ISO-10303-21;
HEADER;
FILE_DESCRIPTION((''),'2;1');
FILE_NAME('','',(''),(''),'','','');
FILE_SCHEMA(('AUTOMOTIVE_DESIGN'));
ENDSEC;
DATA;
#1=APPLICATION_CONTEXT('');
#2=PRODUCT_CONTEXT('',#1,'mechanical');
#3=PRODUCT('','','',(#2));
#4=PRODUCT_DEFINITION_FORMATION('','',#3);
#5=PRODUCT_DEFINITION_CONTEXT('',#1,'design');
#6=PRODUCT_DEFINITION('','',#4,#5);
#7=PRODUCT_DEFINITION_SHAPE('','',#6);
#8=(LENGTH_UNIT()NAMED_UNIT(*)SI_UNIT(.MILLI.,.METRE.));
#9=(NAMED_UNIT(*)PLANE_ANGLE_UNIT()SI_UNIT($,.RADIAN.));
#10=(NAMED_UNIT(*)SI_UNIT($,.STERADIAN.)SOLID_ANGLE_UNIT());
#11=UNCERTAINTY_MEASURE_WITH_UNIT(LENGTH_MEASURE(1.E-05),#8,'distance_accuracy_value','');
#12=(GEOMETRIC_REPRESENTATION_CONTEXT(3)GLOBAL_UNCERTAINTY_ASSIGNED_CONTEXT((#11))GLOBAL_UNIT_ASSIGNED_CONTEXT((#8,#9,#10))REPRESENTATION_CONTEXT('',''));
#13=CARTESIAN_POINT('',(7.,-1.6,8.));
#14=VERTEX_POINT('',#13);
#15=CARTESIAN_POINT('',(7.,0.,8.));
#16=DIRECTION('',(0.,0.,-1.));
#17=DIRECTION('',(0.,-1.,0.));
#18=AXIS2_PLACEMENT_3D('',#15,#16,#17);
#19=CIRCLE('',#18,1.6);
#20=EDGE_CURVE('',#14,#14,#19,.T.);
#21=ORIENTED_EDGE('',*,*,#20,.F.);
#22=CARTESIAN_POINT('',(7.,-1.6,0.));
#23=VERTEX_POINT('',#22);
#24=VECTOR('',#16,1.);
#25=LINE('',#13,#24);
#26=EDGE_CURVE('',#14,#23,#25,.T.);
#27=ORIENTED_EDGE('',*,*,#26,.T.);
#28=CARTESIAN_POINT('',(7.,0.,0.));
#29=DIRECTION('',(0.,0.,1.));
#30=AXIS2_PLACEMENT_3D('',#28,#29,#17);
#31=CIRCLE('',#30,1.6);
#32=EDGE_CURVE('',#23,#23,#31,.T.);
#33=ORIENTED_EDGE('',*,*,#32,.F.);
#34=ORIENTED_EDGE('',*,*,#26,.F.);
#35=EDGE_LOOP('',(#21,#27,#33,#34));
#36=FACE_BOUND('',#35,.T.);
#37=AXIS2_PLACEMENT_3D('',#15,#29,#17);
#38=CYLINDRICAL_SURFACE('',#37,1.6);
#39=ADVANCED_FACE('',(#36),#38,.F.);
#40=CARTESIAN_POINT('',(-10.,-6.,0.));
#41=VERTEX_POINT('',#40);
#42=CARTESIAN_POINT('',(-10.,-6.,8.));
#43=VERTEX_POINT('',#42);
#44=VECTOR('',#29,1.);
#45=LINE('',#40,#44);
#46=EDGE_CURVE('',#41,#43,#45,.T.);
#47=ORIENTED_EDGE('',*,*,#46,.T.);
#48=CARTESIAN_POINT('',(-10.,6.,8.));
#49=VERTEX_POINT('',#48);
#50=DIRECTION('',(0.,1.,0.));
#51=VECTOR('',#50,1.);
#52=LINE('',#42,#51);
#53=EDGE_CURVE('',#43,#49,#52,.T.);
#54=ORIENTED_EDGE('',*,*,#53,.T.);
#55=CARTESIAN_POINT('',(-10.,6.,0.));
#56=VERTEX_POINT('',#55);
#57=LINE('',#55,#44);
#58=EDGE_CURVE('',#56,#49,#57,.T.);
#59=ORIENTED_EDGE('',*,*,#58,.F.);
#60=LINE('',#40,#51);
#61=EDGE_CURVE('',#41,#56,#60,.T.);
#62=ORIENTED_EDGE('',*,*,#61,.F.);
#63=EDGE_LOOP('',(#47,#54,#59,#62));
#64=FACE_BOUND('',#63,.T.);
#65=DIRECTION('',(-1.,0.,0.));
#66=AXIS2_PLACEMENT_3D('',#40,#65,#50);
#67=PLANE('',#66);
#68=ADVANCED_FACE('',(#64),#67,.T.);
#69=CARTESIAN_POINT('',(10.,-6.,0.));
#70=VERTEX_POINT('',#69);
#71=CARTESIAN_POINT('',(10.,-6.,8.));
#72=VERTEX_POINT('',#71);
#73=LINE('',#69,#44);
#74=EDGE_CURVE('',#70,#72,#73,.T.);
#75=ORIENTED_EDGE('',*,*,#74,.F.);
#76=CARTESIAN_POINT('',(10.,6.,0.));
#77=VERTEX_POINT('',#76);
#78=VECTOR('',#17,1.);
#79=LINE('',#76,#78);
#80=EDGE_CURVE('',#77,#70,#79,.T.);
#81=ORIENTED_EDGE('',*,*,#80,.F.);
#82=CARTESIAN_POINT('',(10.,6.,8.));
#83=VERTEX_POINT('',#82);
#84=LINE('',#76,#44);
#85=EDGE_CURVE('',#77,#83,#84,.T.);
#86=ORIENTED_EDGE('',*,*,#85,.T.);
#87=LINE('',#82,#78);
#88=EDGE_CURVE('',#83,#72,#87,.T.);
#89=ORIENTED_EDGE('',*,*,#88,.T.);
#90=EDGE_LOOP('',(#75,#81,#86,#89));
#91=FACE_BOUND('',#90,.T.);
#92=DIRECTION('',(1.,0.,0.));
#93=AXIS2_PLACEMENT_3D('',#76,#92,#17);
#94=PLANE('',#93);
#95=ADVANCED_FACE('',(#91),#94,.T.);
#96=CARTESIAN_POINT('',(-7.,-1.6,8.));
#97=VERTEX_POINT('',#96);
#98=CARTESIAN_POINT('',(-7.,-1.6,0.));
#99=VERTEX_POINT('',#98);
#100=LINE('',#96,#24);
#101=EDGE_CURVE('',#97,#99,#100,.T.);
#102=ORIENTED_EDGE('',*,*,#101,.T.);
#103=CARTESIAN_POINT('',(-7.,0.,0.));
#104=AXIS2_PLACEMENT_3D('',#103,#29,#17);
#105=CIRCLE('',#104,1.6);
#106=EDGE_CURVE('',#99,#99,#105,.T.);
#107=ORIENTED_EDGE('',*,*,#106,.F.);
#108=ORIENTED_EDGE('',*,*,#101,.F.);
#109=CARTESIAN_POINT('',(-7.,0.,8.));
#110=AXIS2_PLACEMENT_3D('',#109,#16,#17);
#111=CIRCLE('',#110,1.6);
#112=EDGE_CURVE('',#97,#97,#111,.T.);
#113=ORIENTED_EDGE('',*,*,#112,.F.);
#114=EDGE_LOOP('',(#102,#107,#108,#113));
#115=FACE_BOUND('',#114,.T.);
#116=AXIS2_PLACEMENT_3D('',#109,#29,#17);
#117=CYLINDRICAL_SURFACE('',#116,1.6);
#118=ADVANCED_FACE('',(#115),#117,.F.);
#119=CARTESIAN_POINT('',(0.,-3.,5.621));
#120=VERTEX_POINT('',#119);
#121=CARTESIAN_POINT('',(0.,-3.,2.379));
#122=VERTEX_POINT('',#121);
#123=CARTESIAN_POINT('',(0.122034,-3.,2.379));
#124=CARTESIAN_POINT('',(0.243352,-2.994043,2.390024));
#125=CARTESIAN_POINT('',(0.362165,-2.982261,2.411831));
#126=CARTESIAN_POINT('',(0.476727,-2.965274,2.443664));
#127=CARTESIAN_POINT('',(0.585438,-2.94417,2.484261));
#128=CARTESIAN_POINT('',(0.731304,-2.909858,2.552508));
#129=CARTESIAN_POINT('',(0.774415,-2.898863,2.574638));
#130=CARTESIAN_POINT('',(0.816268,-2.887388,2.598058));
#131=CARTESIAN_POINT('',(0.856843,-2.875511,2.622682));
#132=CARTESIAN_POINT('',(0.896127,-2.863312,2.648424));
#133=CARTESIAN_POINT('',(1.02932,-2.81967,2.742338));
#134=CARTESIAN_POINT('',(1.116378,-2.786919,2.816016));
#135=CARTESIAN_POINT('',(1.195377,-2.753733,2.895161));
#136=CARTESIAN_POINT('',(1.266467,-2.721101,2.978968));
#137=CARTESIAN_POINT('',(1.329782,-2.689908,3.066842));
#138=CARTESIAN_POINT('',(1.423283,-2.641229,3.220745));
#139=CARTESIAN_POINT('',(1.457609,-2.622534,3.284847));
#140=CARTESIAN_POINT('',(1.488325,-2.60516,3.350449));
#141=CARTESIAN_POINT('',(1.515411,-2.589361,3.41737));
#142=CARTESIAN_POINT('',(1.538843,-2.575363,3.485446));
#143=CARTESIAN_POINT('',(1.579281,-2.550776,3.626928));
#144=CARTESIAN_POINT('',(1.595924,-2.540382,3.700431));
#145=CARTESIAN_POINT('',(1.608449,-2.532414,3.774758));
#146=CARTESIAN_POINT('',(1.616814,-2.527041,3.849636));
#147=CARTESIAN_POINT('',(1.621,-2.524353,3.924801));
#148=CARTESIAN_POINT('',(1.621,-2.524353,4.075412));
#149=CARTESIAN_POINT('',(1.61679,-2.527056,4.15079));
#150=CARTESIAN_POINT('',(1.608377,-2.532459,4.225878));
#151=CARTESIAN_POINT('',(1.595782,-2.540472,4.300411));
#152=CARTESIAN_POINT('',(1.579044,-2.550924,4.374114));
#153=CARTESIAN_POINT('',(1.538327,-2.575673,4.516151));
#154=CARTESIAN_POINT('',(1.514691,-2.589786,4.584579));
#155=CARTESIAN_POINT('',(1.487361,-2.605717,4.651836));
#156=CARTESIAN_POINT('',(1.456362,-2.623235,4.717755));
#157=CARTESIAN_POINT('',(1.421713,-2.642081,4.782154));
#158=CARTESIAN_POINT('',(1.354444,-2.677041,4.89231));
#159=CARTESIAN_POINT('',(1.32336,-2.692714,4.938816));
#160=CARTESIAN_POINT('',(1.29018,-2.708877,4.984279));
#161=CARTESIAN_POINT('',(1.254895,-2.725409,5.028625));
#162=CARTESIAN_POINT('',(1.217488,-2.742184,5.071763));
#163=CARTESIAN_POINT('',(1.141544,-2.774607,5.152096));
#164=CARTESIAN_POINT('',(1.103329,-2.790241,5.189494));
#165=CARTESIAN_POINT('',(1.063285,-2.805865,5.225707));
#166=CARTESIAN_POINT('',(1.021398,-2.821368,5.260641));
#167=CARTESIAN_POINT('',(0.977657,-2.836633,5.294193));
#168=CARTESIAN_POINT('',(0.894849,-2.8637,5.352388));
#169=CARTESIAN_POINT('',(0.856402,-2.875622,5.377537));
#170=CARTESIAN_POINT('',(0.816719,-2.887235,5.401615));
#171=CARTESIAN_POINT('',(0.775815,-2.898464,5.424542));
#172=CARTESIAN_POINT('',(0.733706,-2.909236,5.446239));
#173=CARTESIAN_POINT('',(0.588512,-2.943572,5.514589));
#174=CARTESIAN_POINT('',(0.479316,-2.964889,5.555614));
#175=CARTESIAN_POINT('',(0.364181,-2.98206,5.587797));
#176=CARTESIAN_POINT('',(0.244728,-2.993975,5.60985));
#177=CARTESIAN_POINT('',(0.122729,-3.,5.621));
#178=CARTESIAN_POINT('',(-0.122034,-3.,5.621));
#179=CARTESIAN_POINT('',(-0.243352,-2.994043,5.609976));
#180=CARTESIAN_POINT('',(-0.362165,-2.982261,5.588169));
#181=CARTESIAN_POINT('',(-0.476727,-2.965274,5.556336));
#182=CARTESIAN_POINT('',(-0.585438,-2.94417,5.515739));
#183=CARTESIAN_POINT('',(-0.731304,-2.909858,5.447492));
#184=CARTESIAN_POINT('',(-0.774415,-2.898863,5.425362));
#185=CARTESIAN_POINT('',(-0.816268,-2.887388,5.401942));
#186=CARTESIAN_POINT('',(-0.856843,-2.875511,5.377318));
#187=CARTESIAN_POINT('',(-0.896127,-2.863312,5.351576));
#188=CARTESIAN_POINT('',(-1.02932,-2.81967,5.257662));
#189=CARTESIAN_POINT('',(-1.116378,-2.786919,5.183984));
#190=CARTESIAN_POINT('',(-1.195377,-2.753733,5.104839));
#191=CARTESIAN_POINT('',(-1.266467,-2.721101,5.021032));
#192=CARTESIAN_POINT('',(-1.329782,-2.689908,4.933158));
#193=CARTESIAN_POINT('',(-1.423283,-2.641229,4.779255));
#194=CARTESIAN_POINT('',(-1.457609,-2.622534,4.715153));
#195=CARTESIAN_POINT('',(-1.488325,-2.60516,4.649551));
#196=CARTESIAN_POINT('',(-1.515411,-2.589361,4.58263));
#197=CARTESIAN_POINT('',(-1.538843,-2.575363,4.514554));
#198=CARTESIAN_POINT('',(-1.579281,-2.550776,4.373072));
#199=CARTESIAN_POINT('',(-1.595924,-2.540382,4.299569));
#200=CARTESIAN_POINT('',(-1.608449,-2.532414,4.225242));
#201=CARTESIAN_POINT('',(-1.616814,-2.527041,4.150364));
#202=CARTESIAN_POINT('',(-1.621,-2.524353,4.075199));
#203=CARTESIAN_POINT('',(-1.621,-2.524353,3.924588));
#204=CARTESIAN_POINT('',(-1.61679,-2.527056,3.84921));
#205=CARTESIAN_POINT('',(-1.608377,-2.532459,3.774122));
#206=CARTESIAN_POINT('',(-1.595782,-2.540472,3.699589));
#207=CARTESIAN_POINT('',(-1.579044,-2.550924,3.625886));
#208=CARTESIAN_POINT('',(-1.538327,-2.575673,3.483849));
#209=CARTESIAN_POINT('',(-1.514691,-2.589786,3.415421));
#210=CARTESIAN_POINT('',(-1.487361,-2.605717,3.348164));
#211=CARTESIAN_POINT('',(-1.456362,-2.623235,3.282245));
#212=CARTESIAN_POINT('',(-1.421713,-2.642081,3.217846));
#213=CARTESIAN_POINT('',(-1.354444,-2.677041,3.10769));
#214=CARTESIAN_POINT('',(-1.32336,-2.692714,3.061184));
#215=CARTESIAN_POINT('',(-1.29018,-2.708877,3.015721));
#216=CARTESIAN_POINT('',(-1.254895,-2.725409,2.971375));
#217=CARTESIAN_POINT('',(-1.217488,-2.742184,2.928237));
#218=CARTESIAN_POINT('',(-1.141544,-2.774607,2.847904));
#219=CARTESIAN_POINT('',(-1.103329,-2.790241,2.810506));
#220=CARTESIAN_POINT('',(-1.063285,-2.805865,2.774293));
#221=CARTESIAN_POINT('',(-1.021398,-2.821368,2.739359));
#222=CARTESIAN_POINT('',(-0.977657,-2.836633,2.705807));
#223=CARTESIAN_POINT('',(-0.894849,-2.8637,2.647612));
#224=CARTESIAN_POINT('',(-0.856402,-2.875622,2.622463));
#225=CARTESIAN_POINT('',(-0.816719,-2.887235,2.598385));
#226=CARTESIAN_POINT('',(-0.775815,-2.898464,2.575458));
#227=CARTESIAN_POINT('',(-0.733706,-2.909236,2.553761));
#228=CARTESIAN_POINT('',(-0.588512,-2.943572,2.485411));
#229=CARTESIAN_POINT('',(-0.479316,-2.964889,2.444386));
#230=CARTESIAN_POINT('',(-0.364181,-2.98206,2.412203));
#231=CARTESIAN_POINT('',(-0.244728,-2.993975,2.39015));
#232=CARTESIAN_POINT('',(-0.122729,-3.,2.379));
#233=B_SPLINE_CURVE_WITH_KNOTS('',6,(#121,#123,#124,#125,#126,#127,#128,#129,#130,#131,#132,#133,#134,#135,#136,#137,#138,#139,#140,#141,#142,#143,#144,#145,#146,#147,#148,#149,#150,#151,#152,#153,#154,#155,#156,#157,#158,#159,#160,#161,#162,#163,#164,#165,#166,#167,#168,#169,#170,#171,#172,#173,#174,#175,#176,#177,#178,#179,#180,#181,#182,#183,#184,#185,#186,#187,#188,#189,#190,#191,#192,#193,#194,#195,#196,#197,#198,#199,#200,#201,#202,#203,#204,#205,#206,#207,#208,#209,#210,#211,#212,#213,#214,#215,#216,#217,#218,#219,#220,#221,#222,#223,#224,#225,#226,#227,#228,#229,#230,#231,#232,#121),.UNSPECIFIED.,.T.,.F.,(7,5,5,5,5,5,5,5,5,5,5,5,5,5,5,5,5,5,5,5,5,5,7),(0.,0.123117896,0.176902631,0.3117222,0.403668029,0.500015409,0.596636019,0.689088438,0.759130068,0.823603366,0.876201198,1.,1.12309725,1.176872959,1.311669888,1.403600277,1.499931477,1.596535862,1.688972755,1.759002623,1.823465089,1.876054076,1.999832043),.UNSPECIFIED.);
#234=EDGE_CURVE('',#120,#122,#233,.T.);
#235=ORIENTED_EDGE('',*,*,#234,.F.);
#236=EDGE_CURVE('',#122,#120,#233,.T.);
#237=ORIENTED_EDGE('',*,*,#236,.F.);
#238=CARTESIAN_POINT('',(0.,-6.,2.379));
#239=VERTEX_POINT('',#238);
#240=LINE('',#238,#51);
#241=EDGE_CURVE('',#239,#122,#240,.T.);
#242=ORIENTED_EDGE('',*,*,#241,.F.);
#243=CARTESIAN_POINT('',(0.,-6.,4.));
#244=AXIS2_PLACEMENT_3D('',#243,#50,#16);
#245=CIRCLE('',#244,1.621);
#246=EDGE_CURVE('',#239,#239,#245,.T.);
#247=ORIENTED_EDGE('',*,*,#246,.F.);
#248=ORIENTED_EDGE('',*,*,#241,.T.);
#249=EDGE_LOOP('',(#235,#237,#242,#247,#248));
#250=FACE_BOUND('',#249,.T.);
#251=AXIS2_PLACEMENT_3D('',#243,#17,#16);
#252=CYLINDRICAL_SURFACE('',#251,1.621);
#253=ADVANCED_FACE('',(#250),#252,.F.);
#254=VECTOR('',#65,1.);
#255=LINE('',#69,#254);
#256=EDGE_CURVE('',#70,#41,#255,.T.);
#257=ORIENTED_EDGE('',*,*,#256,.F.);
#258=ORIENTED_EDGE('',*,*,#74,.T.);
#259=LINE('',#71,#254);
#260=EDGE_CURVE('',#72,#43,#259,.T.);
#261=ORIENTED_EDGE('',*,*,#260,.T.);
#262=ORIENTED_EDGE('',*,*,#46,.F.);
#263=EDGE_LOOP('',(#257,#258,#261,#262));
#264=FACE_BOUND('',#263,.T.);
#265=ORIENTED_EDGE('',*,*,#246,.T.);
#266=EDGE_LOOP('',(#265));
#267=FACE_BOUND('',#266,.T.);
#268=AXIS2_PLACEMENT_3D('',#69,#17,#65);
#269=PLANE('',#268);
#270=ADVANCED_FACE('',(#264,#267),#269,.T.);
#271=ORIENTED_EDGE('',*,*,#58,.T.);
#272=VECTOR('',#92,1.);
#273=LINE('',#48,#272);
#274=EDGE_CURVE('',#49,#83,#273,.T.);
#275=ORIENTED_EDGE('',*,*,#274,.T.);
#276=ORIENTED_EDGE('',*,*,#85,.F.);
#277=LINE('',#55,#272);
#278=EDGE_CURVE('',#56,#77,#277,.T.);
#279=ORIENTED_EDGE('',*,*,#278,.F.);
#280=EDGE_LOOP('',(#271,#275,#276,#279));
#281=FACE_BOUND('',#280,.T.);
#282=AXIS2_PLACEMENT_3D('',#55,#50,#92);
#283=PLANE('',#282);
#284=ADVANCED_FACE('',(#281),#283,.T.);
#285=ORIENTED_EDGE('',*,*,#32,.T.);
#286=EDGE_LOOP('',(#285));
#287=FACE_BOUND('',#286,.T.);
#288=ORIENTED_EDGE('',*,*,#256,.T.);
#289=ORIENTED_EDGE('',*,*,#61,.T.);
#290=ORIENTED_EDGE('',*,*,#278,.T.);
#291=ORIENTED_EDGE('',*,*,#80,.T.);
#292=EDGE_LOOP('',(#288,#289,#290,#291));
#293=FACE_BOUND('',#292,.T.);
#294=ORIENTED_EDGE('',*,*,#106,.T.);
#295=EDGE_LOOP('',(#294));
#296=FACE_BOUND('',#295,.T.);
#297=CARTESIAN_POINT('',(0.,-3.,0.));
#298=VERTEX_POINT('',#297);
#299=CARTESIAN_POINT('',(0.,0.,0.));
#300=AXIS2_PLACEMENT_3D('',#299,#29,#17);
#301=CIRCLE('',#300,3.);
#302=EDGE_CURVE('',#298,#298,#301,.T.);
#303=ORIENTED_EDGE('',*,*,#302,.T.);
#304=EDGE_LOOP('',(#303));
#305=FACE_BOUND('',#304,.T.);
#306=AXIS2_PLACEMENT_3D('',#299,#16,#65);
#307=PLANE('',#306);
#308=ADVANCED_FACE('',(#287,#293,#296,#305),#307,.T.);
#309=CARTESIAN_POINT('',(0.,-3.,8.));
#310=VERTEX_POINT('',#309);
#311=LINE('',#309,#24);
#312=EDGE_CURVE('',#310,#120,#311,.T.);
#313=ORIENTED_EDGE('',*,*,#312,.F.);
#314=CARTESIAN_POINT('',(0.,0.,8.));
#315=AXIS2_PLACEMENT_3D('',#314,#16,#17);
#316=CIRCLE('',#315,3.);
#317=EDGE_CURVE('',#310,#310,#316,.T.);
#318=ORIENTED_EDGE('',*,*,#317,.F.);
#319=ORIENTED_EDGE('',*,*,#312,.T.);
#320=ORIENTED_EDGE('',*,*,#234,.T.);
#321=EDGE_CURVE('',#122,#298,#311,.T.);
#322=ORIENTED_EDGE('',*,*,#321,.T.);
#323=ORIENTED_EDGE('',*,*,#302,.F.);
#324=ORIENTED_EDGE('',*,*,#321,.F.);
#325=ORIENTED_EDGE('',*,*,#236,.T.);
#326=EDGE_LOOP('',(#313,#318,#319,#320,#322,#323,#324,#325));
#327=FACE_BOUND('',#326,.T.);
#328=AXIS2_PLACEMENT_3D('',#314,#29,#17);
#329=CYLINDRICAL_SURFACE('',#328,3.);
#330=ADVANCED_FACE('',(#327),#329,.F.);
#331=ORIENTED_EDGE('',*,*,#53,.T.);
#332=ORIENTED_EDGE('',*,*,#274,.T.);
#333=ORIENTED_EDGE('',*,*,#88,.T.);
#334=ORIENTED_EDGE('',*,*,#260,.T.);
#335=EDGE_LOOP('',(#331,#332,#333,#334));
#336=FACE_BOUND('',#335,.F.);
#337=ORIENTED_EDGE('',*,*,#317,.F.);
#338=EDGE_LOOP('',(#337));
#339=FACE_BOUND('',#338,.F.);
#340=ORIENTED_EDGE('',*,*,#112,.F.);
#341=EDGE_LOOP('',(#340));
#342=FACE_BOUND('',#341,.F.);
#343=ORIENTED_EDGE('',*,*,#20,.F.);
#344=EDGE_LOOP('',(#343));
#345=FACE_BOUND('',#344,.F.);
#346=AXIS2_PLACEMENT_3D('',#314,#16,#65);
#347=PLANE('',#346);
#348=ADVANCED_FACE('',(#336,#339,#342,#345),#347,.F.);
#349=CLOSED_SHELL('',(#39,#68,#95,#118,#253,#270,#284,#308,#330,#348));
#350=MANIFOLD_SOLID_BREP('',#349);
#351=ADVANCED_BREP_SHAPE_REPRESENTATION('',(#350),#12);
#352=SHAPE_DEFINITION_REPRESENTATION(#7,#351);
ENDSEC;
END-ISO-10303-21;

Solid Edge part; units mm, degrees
sketch "Sketch1" plane through (0, 0, 0) normal (0, 0, 1) x (1, 0, 0)
  line L0 (10, -6) -> (-10, -6)
  line L1 (-10, -6) -> (-10, 6)
  line L2 (-10, 6) -> (10, 6)
  line L3 (10, 6) -> (10, -6)
  dimension "D1" = 20
  dimension "D2" = 12
extrude "Protrusion1" add sketch "Sketch1" along normal blind 8
hole "Hole_1" at (0, 0, 8) direction (0, 0, -1) diameter 6 end up to next
hole "Hole_2" at (-7, 0, 8) direction (0, 0, -1) diameter 3.2 end up to next
hole "Hole1" at (7, 0, 8) direction (0, 0, -1) diameter 3.2 end up to next
hole "Hole_4" at (0, -6, 4) direction (0, 1, 0) diameter 3.242 end up to next thread major 4 thread length 2
hole "Hole2" [suppressed]
